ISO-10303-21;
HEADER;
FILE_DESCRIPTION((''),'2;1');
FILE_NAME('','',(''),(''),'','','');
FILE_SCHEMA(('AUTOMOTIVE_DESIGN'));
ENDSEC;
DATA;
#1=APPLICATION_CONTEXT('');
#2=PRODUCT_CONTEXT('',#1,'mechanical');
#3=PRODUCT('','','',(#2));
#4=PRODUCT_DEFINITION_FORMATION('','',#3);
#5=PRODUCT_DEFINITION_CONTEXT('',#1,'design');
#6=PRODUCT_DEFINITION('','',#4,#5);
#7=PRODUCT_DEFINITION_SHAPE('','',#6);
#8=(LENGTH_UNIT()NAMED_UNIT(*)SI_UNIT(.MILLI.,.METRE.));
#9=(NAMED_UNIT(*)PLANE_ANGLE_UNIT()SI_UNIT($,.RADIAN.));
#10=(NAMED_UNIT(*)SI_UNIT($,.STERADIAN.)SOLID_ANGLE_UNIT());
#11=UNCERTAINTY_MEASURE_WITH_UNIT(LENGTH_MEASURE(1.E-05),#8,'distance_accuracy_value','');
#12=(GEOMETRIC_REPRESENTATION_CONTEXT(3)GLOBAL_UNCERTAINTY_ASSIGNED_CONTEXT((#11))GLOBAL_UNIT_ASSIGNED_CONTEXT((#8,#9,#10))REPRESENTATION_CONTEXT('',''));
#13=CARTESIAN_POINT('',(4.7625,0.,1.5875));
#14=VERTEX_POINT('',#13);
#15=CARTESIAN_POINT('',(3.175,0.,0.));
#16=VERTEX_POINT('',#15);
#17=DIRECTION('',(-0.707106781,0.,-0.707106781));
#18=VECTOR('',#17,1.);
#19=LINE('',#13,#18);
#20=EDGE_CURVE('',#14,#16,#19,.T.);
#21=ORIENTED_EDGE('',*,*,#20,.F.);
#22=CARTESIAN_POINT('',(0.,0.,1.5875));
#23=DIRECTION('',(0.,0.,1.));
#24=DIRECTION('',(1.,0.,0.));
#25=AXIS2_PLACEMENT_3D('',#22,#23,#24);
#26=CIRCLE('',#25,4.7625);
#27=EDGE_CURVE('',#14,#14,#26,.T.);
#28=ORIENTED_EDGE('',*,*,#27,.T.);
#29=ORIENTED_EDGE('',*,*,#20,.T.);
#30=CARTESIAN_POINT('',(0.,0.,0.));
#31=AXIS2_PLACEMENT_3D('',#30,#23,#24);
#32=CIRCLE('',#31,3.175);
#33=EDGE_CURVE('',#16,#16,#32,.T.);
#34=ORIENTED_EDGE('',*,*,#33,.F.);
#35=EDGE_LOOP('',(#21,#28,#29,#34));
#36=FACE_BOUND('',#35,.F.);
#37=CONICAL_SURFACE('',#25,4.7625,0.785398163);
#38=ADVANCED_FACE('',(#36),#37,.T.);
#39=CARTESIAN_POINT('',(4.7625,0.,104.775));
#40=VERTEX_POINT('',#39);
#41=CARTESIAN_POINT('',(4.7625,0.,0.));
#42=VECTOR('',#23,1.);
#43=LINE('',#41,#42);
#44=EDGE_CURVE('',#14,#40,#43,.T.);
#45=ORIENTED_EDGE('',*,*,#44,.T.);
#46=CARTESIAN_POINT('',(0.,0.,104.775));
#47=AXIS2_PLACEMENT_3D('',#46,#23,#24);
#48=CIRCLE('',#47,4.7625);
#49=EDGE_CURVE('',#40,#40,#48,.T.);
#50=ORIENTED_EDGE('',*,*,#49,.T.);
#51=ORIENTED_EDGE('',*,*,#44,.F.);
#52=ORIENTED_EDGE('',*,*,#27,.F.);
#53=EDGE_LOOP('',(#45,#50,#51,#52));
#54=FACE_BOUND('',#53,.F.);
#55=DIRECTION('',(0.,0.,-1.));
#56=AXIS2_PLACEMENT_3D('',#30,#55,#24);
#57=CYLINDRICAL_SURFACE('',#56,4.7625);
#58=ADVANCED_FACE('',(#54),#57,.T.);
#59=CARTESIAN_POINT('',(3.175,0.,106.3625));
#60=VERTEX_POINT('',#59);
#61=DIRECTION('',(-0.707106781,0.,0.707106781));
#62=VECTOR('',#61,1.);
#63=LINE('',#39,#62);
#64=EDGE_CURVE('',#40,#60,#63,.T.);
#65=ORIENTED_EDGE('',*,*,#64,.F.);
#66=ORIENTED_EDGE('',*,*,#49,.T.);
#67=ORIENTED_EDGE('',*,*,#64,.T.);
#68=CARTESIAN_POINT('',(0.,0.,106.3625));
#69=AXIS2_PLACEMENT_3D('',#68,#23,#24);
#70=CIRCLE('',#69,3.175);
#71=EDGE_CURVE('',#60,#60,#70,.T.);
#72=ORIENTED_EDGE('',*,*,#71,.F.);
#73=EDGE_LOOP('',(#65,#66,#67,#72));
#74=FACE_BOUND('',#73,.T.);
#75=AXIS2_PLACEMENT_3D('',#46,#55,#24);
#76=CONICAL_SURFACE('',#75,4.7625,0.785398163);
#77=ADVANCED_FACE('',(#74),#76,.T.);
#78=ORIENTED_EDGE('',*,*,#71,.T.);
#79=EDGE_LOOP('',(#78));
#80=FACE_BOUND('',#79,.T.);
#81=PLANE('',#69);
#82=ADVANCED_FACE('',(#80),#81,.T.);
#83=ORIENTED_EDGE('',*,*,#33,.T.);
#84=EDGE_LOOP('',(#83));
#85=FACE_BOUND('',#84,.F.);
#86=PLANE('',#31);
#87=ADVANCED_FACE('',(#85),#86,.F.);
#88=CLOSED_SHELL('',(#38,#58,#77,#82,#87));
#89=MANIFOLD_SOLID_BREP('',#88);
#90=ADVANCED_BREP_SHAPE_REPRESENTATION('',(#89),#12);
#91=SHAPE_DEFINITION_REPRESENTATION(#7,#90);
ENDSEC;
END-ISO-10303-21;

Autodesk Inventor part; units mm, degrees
ref_plane "YZ Plane" through (0, 0, 0) normal (1, 0, 0) x (0, 1, 0)
ref_plane "XZ Plane" through (0, 0, 0) normal (0, 1, 0) x (-1, 0, 0)
ref_plane "XY Plane" through (0, 0, 0) normal (0, 0, 1) x (1, 0, 0)
sketch "Sketch1" plane through (0, 0, 0) normal (0, 0, 1) x (1, 0, 0)
  circle A0 centre (0, 0) radius 4.7625
  dimension "d0" = 9.525
extrude "Extrusion1" add sketch "Sketch1" along normal blind 106.3625
chamfer "Chamfer1" distance 1.5875 angle 45 2 edges at (-4.7625, 0, 0) (-4.7625, 0, 106.3625)
properties part number "A1-19037-300-07 Trap rod" material "Steel, Mild"
